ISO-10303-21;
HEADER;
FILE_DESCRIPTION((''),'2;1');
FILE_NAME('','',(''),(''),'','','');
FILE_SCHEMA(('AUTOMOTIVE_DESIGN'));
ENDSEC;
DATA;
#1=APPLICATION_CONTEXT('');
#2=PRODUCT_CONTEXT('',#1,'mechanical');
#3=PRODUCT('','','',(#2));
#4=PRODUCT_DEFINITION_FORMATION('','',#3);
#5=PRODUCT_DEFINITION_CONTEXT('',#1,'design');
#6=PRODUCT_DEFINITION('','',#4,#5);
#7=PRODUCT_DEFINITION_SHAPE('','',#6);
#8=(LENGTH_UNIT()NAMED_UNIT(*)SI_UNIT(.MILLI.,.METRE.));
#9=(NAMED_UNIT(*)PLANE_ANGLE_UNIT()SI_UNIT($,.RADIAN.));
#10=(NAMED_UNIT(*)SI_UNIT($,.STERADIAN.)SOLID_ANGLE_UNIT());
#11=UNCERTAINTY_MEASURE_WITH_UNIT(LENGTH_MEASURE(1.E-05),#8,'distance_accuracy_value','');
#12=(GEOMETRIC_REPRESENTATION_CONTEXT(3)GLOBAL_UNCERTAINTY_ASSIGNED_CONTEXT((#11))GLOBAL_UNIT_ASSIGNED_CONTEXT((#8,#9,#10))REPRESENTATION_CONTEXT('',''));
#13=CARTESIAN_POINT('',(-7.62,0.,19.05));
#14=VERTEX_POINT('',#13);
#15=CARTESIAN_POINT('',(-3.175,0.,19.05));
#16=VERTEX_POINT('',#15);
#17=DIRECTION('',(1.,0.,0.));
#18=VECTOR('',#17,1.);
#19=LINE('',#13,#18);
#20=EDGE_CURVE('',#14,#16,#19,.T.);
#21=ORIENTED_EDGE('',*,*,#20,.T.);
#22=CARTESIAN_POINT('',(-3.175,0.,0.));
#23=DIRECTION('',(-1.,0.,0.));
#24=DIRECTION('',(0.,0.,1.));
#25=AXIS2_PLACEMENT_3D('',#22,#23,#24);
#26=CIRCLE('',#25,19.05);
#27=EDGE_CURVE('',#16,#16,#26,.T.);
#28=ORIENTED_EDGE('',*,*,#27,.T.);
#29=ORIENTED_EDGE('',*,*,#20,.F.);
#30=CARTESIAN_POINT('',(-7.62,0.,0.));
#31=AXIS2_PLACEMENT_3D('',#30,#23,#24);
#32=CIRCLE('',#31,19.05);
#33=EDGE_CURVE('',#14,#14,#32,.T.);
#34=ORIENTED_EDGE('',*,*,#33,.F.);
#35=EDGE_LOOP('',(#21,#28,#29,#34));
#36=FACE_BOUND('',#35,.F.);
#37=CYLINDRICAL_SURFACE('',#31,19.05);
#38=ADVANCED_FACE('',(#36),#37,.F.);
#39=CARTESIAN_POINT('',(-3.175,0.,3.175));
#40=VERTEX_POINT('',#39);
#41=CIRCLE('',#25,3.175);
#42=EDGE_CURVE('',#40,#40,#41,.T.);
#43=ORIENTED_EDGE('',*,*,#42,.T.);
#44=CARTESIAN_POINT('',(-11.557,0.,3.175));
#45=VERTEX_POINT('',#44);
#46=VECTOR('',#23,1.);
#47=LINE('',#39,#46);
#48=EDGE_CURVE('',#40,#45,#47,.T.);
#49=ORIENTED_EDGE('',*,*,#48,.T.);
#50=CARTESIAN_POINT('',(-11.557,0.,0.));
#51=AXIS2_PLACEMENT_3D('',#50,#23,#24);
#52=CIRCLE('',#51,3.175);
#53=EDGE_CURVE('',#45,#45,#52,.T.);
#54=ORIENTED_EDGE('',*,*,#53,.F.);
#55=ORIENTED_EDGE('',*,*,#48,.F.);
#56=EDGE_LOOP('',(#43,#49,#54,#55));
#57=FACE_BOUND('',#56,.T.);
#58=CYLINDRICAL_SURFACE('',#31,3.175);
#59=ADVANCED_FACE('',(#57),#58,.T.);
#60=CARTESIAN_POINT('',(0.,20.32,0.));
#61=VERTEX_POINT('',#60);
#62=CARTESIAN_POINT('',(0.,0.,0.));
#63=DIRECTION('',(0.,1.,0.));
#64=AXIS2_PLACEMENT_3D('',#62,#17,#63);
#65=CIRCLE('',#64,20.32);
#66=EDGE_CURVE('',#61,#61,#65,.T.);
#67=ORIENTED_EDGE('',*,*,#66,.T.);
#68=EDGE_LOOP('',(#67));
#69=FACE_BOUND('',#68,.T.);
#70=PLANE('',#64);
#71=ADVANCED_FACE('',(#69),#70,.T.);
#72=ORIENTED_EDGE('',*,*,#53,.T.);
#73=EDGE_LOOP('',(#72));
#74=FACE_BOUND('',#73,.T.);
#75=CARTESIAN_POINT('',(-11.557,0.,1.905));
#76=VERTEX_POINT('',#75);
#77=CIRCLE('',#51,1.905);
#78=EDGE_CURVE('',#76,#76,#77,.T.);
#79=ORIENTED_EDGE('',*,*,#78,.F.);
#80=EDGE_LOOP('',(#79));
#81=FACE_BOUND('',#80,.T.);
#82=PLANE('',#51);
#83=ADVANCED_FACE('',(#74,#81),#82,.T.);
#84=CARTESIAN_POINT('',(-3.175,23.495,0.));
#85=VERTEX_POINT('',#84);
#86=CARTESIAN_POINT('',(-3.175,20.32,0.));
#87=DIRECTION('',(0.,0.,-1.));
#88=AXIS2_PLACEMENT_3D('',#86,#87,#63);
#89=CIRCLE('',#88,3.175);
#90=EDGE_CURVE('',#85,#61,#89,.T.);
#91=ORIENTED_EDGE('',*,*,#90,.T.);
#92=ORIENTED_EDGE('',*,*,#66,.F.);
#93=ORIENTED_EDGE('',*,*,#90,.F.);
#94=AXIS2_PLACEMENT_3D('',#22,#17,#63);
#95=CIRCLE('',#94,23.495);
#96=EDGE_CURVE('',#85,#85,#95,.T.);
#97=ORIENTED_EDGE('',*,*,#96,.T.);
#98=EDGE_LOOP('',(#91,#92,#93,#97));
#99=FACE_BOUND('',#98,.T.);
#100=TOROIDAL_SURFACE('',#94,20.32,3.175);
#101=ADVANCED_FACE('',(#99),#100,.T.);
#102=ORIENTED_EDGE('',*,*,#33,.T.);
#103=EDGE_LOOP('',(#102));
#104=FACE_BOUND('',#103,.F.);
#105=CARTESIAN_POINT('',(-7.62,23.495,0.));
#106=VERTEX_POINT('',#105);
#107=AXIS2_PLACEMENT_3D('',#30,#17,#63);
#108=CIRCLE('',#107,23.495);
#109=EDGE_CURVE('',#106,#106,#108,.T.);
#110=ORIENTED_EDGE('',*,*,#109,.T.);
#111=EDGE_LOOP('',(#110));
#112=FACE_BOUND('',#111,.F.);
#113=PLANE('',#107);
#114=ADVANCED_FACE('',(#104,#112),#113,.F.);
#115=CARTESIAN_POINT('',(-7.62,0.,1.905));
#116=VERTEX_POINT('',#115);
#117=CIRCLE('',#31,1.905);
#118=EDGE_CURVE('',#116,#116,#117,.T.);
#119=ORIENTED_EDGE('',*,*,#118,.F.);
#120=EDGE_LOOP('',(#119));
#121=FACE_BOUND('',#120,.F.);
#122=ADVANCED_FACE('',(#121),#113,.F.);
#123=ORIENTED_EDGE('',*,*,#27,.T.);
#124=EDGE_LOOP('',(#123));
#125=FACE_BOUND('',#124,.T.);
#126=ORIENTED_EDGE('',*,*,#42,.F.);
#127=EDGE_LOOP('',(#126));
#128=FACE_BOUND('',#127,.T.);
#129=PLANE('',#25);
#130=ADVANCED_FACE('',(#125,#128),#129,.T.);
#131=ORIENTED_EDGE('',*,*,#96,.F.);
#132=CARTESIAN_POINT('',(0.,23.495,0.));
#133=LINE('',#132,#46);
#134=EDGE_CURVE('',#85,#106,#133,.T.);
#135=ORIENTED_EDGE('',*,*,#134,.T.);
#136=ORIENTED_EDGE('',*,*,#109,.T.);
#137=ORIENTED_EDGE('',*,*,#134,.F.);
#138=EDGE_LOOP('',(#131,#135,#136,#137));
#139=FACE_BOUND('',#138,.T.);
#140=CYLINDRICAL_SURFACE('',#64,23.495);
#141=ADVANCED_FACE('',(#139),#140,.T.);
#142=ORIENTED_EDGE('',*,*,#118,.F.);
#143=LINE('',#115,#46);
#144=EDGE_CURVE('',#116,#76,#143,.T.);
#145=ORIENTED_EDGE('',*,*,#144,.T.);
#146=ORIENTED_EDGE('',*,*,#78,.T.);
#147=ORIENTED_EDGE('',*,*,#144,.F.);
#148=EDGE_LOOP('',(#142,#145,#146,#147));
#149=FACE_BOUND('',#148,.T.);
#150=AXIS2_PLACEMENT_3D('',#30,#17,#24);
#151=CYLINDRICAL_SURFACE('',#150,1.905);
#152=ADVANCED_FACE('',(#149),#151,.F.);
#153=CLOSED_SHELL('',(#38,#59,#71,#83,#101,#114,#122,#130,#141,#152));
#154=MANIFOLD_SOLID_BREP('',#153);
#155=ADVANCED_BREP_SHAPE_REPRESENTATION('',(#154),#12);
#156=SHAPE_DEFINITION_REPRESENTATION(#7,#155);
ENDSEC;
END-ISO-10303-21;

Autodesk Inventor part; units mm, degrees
ref_plane "YZ Plane" through (0, 0, 0) normal (1, 0, 0) x (0, 1, 0)
ref_plane "XZ Plane" through (0, 0, 0) normal (0, 1, 0) x (-1, 0, 0)
ref_plane "XY Plane" through (0, 0, 0) normal (0, 0, 1) x (1, 0, 0)
sketch "Sketch1" plane through (0, 0, 0) normal (1, 0, 0) x (0, 1, 0)
  circle A0 centre (0, 0) radius 23.495
  dimension "d0" = 46.99
extrude "Extrusion1" add sketch "Sketch1" against normal blind 7.62
fillet "Fillet1" radius 3.175 1 edges at (0, -23.495, 0)
sketch "Sketch2" plane through (-7.62, 0, 0) normal (-1, 0, 0) x (0, 0, 1)
  circle A0 centre (0, 0) radius 3.175
  circle A1 centre (0, 0) radius 1.905
  dimension "d4" = 6.35
  dimension "d5" = 3.81
extrude "Extrusion2" add sketch "Sketch2" along normal blind 3.937
sketch "Sketch3" plane through (-7.62, 0, 0) normal (-1, 0, 0) x (0, 0, 1)
  circle A0 centre (0, 0) radius 19.05
  circle A1 centre (0, 0) radius 1.905 projected
  circle A2 centre (0, 0) radius 3.175
  dimension "d8" = 38.1
  dimension "d9" = 6.35
extrude "Extrusion3" cut sketch "Sketch3" against normal blind 4.445 contours A0
properties part number "Chairs Wheel (H)"
